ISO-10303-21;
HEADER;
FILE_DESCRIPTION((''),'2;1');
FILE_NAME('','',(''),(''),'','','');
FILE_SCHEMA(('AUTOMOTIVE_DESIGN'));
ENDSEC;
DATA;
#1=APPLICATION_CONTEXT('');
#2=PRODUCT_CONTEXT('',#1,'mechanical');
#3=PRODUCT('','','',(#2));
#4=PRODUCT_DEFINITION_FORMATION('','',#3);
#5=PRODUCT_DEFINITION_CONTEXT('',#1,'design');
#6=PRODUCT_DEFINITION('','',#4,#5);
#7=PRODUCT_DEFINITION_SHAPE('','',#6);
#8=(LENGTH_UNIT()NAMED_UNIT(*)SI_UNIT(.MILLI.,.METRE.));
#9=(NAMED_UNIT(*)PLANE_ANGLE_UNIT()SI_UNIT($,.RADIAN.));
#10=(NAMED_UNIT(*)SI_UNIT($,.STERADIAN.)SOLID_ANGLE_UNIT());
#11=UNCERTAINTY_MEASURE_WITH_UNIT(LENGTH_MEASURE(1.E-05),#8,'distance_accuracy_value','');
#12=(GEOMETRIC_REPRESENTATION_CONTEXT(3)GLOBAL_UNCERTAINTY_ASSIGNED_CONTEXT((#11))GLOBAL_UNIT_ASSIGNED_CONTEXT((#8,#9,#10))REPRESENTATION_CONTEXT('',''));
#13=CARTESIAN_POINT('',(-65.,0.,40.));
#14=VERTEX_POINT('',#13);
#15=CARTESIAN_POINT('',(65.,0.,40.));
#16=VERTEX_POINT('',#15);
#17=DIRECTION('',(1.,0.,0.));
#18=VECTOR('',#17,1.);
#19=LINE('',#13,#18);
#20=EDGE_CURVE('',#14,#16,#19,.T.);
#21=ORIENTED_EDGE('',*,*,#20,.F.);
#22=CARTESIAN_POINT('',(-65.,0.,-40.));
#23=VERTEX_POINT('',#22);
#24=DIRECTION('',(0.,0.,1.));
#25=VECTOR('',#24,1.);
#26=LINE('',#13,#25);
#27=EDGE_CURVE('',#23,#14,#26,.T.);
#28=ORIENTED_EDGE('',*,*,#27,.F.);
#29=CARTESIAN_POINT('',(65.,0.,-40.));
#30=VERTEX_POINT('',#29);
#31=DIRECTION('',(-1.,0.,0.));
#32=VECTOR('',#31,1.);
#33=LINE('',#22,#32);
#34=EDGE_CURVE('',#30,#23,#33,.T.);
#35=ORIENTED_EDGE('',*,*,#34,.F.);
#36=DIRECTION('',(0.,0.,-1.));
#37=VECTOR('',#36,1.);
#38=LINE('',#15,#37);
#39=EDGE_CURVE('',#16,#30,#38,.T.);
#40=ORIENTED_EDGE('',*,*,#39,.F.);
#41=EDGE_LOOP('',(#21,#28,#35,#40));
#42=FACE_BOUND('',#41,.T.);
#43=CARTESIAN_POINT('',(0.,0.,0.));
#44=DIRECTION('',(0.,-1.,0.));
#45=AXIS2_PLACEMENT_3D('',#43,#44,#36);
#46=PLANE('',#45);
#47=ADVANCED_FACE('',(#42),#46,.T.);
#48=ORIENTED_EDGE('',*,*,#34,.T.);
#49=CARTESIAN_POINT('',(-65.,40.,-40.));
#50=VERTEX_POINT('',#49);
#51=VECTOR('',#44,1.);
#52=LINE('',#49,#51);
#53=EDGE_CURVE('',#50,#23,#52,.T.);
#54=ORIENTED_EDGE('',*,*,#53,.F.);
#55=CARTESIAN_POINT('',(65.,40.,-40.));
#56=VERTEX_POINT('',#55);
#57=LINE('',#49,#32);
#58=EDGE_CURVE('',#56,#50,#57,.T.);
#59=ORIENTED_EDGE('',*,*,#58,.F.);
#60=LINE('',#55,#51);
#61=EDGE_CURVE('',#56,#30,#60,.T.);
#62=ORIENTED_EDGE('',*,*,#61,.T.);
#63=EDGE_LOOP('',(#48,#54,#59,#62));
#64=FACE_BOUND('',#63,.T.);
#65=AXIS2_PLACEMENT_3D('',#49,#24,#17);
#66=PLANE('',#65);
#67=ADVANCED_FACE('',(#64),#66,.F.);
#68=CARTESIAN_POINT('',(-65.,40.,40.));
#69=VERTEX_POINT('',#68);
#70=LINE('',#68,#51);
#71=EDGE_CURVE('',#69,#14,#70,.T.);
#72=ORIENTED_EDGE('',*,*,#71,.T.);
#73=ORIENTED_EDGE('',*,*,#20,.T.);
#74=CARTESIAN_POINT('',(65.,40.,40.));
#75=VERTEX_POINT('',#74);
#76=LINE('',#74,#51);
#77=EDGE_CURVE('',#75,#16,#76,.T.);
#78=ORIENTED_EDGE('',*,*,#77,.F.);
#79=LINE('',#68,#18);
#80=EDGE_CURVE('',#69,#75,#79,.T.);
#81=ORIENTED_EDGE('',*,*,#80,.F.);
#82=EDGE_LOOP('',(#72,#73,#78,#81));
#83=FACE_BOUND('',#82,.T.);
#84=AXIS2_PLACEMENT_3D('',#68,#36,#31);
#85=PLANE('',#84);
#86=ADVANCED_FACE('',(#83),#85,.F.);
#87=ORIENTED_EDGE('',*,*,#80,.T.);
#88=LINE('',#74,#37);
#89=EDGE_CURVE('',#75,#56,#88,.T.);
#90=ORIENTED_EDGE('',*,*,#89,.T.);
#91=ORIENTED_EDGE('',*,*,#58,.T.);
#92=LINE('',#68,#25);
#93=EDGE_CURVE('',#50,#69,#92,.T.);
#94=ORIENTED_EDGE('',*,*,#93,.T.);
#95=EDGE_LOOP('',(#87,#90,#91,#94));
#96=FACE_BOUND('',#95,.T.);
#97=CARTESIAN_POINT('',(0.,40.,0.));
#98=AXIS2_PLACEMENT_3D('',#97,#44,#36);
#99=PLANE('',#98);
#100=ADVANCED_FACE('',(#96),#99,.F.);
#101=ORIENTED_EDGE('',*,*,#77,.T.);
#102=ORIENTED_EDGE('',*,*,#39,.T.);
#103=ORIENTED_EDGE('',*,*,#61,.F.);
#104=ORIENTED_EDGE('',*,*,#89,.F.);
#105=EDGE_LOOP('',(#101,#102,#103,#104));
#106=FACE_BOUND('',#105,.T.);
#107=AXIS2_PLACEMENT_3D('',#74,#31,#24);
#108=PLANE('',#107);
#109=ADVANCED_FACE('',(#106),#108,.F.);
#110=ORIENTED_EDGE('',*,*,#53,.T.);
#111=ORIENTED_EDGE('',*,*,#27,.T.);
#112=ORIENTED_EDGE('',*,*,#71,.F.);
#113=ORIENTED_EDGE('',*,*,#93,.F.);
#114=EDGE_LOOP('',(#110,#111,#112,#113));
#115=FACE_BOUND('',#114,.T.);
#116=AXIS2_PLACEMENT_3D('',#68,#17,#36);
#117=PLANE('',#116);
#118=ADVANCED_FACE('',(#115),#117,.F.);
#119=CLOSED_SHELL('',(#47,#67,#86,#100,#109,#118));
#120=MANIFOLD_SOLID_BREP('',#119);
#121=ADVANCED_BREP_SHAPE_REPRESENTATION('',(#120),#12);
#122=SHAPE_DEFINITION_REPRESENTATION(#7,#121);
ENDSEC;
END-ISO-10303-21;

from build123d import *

# Parameters (mm, degrees)
SKETCH1_W           = 130
SKETCH1_H           = 80
BOSS_EXTRUDE1_DEPTH = 40


with BuildPart() as part:
    # Sketch1 → Boss-Extrude1 (new body)
    with BuildSketch(Plane(origin=(0, 0, 0), x_dir=(1, 0, 0), z_dir=(0, 1, 0))):
        Rectangle(SKETCH1_W, SKETCH1_H)
    extrude(amount=BOSS_EXTRUDE1_DEPTH)


solid = part.part
